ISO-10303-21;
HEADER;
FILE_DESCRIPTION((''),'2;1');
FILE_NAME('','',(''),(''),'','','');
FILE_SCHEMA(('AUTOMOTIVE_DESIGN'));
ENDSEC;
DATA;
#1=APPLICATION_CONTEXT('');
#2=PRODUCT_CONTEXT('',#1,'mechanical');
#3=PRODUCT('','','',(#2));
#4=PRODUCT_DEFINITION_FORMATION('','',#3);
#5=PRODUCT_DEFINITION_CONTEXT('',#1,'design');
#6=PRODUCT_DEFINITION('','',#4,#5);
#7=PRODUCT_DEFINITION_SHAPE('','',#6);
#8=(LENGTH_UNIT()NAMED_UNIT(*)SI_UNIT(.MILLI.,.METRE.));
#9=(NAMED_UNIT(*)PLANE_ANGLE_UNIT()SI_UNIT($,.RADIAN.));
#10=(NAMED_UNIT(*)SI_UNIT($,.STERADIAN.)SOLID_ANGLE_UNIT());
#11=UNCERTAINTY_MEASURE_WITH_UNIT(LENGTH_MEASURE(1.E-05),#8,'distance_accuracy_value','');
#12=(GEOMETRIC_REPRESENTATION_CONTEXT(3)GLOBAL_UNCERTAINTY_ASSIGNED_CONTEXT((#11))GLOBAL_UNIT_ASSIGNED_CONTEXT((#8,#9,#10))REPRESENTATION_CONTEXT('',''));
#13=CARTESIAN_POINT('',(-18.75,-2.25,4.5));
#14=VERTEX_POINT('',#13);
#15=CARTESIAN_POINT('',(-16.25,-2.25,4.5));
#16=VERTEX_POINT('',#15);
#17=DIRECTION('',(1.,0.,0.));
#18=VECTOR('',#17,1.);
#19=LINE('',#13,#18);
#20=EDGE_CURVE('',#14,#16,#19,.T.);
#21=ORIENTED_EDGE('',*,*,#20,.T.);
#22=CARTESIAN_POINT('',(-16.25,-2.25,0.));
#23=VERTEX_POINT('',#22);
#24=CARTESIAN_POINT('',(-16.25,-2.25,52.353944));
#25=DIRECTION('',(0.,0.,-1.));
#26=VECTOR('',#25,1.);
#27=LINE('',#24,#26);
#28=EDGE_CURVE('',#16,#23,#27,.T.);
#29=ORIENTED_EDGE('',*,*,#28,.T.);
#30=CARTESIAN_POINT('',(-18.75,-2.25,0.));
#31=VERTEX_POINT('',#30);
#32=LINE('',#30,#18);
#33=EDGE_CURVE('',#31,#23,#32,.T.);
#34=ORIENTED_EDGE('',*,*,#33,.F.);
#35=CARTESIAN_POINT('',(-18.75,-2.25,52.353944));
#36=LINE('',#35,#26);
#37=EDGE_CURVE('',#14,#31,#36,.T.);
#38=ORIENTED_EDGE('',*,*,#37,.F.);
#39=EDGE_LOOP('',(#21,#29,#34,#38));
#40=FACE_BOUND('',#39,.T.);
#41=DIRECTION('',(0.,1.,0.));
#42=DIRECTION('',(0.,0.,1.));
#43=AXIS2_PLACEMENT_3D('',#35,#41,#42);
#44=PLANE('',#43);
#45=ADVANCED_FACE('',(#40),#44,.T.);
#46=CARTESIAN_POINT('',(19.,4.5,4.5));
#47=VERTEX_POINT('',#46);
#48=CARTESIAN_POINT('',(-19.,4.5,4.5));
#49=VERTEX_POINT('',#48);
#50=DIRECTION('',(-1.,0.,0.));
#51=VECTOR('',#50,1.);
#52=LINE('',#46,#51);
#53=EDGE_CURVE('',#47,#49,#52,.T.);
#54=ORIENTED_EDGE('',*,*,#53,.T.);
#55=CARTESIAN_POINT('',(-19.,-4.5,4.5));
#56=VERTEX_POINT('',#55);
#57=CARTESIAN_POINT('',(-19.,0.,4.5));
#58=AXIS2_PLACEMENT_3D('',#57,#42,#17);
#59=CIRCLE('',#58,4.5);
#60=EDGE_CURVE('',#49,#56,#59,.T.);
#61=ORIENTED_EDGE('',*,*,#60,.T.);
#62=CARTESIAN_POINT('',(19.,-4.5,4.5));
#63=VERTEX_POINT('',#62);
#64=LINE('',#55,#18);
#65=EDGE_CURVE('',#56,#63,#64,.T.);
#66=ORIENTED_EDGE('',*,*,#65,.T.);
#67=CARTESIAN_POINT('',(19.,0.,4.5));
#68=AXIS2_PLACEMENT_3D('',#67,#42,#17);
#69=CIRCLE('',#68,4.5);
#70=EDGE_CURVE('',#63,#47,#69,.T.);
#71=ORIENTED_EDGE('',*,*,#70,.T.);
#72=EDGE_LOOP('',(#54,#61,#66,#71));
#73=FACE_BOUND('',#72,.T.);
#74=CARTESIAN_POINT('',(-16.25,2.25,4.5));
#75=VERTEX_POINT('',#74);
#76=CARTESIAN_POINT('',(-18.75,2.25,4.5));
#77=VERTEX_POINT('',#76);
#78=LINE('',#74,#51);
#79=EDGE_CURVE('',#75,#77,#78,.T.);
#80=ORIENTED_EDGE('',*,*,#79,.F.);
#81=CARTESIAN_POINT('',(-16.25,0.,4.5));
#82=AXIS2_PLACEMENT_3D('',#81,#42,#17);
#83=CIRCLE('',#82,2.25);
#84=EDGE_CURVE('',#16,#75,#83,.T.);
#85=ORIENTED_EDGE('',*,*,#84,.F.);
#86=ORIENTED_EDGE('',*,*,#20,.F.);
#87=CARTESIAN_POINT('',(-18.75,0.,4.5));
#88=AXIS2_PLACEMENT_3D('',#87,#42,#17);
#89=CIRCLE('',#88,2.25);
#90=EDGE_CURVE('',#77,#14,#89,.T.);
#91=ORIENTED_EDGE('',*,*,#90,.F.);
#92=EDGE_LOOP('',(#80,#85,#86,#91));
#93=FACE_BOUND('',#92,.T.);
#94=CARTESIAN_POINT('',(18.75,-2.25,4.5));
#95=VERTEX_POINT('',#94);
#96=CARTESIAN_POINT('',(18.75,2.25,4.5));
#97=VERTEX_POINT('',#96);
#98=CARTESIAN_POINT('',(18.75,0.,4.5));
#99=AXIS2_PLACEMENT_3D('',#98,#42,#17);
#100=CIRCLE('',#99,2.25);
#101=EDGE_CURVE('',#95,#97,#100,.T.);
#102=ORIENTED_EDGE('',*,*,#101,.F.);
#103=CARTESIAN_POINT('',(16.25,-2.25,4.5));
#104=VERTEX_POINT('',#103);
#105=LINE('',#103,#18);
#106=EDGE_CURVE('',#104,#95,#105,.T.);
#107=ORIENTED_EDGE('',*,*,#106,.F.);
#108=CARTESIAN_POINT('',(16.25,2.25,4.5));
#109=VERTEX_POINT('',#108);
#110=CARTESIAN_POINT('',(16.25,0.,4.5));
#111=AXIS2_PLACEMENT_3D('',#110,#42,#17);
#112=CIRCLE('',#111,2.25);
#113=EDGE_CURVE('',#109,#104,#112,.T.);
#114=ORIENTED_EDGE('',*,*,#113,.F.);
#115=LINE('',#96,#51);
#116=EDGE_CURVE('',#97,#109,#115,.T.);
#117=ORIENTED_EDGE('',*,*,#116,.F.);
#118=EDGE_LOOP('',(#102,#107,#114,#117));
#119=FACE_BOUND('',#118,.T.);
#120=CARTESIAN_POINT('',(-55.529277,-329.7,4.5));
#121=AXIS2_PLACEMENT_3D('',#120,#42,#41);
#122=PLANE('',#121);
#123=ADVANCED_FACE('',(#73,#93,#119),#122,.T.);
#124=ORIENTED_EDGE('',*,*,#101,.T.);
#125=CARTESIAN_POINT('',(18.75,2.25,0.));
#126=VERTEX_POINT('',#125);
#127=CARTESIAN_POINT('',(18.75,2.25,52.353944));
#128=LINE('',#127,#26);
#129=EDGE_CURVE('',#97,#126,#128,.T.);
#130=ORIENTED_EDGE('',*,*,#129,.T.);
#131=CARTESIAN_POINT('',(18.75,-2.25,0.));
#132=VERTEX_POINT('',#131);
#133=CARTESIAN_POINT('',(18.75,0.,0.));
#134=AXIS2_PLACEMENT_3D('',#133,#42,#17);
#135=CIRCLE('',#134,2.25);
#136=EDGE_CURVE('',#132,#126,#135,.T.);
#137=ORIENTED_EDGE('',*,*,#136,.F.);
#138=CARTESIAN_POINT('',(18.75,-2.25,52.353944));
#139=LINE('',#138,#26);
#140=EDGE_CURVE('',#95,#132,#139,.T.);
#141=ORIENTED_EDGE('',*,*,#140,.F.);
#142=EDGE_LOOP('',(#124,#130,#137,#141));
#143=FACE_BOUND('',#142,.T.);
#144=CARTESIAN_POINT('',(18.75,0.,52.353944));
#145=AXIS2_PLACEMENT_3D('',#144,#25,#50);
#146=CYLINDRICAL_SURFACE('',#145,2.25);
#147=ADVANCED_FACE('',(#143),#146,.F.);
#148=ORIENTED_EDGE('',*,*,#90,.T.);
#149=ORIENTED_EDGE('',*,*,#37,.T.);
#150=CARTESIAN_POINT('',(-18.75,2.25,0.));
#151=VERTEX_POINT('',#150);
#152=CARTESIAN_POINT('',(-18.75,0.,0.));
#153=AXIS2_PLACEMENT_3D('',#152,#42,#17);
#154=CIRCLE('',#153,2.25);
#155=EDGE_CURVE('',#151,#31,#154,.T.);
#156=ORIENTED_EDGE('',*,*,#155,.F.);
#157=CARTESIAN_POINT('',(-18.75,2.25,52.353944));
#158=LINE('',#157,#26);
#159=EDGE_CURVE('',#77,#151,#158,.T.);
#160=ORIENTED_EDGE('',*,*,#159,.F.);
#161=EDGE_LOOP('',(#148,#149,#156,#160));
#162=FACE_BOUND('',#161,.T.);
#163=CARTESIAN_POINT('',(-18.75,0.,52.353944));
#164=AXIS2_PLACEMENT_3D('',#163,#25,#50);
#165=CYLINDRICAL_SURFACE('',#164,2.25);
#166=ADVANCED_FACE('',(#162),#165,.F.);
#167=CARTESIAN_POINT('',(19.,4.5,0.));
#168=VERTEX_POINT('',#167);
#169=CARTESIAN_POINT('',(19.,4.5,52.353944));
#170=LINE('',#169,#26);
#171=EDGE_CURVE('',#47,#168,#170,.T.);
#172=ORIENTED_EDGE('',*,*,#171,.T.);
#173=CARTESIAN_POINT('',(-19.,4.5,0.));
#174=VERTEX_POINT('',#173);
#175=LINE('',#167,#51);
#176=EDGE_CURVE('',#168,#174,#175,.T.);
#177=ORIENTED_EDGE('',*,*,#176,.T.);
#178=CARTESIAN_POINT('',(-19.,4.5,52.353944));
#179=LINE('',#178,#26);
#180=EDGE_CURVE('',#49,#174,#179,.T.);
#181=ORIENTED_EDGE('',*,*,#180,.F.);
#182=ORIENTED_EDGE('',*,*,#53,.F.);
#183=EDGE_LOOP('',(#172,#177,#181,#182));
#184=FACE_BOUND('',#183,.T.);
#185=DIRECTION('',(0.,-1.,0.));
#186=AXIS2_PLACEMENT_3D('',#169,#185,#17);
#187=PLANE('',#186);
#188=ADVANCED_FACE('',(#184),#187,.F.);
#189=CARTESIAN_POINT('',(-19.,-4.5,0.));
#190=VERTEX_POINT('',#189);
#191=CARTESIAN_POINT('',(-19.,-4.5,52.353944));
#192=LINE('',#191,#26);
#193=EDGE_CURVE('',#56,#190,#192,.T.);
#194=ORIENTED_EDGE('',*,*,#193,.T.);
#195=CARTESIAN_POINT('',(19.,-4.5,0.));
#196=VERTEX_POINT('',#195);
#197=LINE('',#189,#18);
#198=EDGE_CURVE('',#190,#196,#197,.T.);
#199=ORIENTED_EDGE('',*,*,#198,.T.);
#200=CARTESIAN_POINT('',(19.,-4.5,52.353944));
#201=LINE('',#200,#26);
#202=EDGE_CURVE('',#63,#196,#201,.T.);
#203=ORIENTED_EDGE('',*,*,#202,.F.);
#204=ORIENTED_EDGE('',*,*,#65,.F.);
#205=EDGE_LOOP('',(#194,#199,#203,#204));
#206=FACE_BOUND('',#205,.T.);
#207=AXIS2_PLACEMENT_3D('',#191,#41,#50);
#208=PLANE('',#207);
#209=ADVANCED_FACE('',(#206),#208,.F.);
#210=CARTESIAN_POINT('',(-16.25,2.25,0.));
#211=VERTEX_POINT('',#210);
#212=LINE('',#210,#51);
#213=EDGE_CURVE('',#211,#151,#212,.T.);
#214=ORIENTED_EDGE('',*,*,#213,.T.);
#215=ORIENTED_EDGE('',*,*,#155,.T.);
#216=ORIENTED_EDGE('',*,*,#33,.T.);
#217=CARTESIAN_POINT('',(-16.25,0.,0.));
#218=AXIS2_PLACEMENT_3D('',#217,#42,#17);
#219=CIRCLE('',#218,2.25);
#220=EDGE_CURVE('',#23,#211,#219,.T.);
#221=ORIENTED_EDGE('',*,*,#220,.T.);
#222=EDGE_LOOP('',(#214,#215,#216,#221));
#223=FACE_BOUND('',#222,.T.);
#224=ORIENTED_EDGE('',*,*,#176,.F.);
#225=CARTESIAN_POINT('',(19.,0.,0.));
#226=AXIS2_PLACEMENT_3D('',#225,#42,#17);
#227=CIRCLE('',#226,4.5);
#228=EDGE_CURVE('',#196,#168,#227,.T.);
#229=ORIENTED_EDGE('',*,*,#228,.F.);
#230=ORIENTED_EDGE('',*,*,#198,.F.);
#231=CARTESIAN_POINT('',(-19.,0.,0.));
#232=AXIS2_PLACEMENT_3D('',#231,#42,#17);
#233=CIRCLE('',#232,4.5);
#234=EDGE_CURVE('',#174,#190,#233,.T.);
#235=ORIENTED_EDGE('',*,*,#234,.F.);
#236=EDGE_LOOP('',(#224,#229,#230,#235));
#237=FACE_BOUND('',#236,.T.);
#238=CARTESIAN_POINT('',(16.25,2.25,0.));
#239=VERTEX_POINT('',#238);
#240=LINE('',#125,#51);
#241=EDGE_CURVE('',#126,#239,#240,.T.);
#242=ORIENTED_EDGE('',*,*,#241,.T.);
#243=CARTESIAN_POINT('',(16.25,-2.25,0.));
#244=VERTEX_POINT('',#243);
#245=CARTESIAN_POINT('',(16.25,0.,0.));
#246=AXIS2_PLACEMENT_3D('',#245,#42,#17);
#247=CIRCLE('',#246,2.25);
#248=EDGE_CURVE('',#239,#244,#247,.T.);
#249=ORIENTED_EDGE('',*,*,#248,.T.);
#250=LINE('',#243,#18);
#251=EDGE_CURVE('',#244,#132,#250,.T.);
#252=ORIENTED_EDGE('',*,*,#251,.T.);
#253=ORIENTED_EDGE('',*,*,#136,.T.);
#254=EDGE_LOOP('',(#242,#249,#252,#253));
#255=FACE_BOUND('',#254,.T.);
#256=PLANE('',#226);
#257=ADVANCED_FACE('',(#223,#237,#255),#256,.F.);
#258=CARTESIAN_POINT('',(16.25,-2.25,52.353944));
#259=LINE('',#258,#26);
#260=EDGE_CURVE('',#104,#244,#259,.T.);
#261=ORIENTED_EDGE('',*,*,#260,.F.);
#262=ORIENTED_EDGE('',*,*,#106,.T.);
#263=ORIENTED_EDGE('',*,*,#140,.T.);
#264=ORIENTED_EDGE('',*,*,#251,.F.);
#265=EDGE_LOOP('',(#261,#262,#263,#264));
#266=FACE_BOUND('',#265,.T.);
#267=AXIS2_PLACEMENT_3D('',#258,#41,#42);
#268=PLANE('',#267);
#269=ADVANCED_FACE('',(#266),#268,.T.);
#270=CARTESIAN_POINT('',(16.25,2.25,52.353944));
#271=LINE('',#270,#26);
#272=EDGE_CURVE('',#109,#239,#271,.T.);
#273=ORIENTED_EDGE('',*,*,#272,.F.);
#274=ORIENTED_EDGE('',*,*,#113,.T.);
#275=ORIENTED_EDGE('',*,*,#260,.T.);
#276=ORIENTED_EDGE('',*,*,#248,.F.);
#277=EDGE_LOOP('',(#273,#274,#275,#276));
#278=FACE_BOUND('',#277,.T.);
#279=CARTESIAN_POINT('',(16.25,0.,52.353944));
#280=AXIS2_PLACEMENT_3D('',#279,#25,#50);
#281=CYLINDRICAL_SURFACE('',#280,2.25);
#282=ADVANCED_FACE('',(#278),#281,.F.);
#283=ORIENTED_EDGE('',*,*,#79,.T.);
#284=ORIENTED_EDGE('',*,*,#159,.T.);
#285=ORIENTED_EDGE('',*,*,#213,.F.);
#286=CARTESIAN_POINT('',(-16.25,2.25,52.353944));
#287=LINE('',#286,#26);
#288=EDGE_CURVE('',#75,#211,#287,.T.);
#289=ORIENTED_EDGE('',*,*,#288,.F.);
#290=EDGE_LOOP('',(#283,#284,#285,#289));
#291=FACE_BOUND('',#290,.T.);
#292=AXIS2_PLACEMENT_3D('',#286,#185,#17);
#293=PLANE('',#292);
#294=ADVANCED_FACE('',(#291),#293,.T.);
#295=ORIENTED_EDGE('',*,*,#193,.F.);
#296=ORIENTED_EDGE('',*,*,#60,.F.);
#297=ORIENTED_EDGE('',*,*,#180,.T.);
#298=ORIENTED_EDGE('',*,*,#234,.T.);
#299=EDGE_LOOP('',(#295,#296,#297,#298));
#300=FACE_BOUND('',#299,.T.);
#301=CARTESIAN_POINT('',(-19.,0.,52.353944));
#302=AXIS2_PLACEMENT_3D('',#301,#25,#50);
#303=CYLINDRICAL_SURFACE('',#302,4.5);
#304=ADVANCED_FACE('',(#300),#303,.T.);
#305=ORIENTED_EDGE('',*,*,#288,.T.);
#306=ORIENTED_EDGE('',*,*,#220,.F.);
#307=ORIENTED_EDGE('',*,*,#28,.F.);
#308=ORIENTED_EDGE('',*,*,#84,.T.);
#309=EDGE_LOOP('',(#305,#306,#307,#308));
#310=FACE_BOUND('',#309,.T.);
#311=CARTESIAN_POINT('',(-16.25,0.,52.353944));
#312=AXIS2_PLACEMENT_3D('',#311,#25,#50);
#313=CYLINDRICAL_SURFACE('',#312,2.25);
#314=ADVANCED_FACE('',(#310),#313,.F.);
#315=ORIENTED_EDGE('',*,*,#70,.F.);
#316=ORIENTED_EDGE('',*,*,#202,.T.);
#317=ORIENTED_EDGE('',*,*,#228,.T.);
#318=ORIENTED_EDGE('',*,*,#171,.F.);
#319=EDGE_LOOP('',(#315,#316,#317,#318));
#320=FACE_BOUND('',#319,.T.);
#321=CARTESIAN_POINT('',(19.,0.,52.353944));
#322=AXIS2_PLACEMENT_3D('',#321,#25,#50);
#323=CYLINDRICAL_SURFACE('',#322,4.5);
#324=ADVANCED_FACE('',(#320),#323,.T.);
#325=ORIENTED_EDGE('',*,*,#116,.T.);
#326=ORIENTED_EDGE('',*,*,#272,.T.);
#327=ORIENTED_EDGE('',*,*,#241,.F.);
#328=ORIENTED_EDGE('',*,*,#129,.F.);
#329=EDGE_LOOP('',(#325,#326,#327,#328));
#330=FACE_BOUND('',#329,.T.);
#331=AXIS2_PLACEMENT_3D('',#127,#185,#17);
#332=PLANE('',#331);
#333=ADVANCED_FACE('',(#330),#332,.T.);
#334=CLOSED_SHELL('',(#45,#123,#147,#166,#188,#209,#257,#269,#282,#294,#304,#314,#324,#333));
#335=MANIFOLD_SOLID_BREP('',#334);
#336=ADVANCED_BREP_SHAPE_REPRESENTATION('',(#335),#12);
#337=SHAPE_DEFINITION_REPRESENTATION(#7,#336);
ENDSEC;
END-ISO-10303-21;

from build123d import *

# Parameters (mm, degrees)
SALIENTE_EXTRUIR2_DEPTH = 4.5


with BuildPart() as part:
    # Croquis1 → Saliente-Extruir2 (new body)
    with BuildSketch(Plane.XY):
        with BuildLine():
            Line((19, 4.5), (-19, 4.5))
            ThreePointArc((-19, 4.5), (-23.5, 0), (-19, -4.5))
            Line((-19, -4.5), (19, -4.5))
            ThreePointArc((19, -4.5), (23.5, 0), (19, 4.5))
        make_face()
        with BuildLine():
            Line((18.75, 2.25), (16.25, 2.25))
            ThreePointArc((16.25, 2.25), (14, 0), (16.25, -2.25))
            Line((16.25, -2.25), (18.75, -2.25))
            ThreePointArc((18.75, -2.25), (21, 0), (18.75, 2.25))
        make_face(mode=Mode.SUBTRACT)
        with BuildLine():
            Line((-16.25, 2.25), (-18.75, 2.25))
            ThreePointArc((-18.75, 2.25), (-21, 0), (-18.75, -2.25))
            Line((-18.75, -2.25), (-16.25, -2.25))
            ThreePointArc((-16.25, -2.25), (-14, 0), (-16.25, 2.25))
        make_face(mode=Mode.SUBTRACT)
    extrude(amount=SALIENTE_EXTRUIR2_DEPTH)


solid = part.part
